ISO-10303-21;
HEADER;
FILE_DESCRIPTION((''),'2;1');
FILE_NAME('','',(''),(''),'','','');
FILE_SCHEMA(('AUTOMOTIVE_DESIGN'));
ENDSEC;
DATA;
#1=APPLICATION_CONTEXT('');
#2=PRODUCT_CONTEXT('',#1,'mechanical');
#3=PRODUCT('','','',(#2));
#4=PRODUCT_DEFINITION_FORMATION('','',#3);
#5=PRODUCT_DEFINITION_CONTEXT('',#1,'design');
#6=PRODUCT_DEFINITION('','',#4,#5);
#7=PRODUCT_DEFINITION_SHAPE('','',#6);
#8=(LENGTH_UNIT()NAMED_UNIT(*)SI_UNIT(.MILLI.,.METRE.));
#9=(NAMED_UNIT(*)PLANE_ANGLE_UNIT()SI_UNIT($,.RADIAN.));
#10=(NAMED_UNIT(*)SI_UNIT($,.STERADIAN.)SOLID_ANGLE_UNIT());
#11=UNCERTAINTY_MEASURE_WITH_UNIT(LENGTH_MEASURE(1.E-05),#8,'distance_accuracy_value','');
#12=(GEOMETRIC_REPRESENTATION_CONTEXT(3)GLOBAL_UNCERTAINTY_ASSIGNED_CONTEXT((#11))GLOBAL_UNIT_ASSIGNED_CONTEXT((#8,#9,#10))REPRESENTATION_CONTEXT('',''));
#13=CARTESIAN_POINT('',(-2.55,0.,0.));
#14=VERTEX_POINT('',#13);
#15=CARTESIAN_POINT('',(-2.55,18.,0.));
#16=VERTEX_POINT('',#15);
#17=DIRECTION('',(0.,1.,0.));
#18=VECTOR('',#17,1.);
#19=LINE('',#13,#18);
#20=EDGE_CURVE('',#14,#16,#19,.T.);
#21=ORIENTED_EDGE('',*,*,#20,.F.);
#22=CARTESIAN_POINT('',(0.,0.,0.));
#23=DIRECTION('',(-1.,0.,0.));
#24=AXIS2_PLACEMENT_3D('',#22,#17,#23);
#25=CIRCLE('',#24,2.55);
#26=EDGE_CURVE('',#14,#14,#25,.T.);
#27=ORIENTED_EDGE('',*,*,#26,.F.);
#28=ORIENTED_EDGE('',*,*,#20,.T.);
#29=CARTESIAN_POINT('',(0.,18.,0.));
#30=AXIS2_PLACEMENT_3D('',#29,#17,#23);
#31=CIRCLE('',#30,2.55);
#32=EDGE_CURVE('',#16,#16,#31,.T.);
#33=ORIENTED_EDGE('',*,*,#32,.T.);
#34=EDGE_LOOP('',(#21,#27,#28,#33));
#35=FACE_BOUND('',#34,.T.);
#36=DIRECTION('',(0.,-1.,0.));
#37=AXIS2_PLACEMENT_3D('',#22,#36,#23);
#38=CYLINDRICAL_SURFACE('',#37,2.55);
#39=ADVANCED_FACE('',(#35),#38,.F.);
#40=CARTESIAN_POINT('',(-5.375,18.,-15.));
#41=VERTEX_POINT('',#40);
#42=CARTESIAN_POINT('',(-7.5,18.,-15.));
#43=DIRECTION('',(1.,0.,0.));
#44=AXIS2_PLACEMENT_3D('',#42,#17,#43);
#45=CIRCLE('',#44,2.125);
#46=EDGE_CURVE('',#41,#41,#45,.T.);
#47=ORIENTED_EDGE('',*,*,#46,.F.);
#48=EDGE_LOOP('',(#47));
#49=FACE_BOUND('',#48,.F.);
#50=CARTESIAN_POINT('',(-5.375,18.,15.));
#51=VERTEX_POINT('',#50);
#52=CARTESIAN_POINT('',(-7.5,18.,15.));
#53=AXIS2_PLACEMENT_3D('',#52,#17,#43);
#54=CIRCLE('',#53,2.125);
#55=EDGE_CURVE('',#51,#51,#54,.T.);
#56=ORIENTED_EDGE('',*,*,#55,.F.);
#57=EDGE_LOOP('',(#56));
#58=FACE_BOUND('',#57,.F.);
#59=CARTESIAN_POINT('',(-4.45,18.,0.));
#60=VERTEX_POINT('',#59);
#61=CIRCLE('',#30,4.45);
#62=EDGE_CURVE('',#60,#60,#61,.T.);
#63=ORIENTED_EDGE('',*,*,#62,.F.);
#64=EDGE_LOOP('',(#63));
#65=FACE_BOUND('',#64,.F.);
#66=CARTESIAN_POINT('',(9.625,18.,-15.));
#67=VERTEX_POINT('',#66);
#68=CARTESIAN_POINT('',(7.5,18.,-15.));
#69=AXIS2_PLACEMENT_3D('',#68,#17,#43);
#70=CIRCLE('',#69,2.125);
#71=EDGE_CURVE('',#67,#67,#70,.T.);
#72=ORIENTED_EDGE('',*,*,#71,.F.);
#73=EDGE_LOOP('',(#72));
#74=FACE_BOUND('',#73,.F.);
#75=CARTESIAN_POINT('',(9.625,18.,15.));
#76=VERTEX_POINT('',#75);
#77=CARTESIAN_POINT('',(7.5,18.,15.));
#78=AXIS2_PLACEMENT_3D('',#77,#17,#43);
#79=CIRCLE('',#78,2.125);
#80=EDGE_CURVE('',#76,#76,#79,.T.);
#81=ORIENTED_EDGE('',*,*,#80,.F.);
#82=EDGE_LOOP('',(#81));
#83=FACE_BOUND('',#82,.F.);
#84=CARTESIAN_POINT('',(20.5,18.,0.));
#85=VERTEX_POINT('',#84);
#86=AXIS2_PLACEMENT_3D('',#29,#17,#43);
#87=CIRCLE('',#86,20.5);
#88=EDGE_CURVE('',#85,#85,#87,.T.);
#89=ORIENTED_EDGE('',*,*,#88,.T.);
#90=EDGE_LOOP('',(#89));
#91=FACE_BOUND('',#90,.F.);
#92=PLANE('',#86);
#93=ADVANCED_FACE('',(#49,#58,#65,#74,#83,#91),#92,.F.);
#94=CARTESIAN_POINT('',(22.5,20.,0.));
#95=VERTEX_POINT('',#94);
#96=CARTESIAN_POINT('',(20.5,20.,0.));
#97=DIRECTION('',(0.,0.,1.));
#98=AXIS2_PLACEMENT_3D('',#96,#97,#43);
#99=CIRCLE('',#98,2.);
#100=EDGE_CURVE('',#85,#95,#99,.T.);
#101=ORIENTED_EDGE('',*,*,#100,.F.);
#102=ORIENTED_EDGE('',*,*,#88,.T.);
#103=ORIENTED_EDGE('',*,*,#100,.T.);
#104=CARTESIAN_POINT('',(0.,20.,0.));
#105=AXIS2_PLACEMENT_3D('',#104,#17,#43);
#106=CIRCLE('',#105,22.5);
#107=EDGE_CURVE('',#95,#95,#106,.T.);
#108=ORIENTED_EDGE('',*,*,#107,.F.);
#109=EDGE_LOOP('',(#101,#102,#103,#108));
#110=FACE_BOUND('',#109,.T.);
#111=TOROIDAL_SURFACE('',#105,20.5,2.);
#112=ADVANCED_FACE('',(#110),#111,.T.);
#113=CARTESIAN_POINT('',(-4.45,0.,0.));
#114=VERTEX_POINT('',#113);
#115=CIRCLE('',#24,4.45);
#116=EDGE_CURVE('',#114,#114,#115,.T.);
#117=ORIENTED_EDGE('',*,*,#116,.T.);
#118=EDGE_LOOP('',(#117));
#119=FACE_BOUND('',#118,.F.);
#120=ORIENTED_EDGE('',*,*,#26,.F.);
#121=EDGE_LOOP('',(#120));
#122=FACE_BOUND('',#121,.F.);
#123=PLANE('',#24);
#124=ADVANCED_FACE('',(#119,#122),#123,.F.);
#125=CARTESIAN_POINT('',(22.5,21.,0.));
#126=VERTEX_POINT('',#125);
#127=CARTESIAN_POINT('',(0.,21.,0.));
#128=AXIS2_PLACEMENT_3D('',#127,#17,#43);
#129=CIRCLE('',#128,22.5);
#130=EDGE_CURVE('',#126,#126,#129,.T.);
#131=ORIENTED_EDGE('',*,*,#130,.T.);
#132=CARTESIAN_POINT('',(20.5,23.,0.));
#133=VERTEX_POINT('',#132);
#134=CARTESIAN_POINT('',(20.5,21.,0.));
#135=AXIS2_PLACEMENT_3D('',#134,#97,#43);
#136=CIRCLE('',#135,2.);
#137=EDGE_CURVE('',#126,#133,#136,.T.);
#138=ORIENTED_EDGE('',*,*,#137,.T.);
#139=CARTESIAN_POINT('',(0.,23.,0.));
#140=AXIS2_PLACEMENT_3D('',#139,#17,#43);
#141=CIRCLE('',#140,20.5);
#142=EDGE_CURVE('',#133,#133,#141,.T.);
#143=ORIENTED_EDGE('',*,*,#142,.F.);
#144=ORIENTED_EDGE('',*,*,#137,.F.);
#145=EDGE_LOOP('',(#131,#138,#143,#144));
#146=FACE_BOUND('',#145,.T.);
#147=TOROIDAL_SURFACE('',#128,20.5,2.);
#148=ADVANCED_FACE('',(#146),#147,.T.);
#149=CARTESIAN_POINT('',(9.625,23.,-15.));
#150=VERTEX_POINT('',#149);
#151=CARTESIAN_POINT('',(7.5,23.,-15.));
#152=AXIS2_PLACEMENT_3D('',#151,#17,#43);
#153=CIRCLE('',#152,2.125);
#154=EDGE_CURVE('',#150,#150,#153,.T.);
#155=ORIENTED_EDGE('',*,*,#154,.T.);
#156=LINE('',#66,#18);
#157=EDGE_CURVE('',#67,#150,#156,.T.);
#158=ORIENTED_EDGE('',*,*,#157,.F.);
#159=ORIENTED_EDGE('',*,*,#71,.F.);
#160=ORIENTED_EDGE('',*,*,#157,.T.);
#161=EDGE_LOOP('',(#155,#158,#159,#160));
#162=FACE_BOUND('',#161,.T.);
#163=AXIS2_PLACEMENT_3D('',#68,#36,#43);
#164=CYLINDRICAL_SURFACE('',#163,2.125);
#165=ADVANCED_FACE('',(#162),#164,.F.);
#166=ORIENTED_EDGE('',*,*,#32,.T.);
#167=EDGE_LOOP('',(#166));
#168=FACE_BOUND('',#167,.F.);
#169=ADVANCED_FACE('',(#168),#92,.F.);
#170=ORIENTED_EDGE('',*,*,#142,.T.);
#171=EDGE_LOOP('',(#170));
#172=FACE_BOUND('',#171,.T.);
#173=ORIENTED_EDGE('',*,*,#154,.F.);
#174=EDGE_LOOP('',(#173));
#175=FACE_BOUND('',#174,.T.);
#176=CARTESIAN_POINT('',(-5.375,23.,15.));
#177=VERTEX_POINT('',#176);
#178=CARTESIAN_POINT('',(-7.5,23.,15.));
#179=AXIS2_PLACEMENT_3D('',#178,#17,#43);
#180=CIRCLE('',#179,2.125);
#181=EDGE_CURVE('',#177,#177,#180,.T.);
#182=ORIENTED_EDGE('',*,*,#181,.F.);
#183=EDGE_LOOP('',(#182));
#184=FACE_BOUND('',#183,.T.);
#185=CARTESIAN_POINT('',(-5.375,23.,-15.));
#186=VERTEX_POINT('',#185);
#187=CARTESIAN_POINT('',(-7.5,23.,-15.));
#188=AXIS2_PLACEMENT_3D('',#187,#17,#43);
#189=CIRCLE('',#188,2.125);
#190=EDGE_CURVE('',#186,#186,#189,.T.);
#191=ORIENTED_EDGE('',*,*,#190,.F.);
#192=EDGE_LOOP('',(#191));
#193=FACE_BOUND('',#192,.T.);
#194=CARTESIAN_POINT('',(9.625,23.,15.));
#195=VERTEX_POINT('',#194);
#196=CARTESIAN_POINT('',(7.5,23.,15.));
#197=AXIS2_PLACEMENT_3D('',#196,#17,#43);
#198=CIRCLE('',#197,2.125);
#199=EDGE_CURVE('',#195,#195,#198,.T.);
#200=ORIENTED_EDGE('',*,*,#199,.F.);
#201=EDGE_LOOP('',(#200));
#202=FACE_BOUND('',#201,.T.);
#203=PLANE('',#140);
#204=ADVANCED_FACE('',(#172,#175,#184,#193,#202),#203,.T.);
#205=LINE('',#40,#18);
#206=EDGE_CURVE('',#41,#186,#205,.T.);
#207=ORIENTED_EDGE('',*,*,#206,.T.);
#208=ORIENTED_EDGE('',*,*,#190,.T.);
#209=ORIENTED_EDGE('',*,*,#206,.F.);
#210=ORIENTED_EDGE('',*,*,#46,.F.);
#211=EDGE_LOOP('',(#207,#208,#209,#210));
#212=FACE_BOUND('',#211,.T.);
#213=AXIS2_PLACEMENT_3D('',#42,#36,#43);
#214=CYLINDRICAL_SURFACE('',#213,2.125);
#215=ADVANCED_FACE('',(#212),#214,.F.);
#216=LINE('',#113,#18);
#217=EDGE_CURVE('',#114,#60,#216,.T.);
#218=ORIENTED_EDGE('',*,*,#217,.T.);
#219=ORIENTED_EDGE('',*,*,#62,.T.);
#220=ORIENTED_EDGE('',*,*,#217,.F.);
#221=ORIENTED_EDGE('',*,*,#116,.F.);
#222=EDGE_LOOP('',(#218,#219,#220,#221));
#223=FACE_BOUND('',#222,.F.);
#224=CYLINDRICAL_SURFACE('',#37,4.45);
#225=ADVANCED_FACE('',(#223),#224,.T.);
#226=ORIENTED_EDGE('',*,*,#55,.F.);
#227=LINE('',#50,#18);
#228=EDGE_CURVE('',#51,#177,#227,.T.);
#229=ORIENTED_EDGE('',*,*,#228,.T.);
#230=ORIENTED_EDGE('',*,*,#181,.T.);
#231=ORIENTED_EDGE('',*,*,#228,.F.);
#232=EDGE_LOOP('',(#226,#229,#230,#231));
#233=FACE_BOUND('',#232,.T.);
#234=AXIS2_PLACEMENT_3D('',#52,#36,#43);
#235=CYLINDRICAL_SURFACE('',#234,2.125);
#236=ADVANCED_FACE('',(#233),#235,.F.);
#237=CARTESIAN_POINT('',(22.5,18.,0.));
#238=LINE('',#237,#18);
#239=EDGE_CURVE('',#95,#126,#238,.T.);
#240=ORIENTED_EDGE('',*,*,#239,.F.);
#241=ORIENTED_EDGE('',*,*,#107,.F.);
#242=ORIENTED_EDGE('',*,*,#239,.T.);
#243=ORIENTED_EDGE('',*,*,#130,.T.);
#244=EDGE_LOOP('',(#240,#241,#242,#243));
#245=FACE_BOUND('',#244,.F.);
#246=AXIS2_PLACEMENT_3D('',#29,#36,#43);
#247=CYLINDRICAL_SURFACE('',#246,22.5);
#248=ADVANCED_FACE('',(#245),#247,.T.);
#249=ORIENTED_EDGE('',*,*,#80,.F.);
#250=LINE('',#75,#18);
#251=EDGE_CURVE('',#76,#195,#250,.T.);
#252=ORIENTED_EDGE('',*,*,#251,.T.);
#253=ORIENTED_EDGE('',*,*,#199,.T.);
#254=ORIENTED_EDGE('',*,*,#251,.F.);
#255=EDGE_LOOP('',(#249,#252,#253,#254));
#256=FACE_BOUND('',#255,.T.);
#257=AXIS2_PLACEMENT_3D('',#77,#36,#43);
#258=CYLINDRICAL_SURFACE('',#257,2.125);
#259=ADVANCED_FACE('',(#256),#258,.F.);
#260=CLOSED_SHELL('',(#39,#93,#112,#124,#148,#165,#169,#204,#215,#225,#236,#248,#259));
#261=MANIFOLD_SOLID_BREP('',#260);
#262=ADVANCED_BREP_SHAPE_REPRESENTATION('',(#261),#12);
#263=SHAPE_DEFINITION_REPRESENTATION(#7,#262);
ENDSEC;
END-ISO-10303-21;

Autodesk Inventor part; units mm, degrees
ref_plane "YZ Plane" through (0, 0, 0) normal (1, 0, 0) x (0, 1, 0)
ref_plane "XZ Plane" through (0, 0, 0) normal (0, 1, 0) x (-1, 0, 0)
ref_plane "XY Plane" through (0, 0, 0) normal (0, 0, 1) x (1, 0, 0)
sketch "Sketch1" plane through (0, 0, 0) normal (0, 1, 0) x (-1, 0, 0)
  circle A0 centre (0, 0) radius 4.45
  circle A1 centre (0, 0) radius 2.55
  dimension "d0" = 8.9
  dimension "d1" = 5.1
extrude "Extrusion1" add sketch "Sketch1" along normal blind 18
sketch "Sketch2" plane through (0, 18, 0) normal (0, 1, 0) x (1, 0, 0)
  line L0 (25, -25) -> (-25, -25)
  line L1 (-25, -25) -> (-25, 25)
  line L2 (-25, 25) -> (25, 25)
  line L3 (25, 25) -> (25, -25)
  line L4 (25, -25) -> (-25, 25) construction
  line L5 (-25, -25) -> (25, 25) construction
  line L6 (7.5, -12.875) -> (-7.5, -12.875)
  line L7 (-7.5, -12.875) -> (-7.5, 12.875)
  line L8 (-7.5, 12.875) -> (7.5, 12.875)
  line L9 (7.5, 12.875) -> (7.5, -12.875)
  line L10 (7.5, -12.875) -> (-7.5, 12.875) construction
  line L11 (-7.5, -12.875) -> (7.5, 12.875) construction
  line L12 (-7.5, 12.875) -> (-7.5, 17.125)
  circle A0 centre (-7.5, 15) radius 2.125
  circle A1 centre (7.5, 15) radius 2.125
  line L13 (-7.5, -12.875) -> (-7.5, -17.125)
  circle A2 centre (-7.5, -15) radius 2.125
  circle A3 centre (7.5, -15) radius 2.125
  circle A4 centre (0, 0) radius 4.45 projected
  circle A5 centre (0, 0) radius 22.5
  dimension "d7" = 50
  dimension "d8" = 50
  dimension "d9" = 15
  dimension "d10" = 25.75
  dimension "d11" = 4.25
  dimension "d12" = 4.25
  dimension "d13" = 45
extrude "Extrusion2" add sketch "Sketch2" along normal blind 5 contours L6 L7 L8 L9 | A4 | A5
fillet "Fillet1" radius 2 2 edges at (-22.5, 18, 0) (-22.5, 23, 0)
properties part number "mountingnema" material "Aluminum 6061"
